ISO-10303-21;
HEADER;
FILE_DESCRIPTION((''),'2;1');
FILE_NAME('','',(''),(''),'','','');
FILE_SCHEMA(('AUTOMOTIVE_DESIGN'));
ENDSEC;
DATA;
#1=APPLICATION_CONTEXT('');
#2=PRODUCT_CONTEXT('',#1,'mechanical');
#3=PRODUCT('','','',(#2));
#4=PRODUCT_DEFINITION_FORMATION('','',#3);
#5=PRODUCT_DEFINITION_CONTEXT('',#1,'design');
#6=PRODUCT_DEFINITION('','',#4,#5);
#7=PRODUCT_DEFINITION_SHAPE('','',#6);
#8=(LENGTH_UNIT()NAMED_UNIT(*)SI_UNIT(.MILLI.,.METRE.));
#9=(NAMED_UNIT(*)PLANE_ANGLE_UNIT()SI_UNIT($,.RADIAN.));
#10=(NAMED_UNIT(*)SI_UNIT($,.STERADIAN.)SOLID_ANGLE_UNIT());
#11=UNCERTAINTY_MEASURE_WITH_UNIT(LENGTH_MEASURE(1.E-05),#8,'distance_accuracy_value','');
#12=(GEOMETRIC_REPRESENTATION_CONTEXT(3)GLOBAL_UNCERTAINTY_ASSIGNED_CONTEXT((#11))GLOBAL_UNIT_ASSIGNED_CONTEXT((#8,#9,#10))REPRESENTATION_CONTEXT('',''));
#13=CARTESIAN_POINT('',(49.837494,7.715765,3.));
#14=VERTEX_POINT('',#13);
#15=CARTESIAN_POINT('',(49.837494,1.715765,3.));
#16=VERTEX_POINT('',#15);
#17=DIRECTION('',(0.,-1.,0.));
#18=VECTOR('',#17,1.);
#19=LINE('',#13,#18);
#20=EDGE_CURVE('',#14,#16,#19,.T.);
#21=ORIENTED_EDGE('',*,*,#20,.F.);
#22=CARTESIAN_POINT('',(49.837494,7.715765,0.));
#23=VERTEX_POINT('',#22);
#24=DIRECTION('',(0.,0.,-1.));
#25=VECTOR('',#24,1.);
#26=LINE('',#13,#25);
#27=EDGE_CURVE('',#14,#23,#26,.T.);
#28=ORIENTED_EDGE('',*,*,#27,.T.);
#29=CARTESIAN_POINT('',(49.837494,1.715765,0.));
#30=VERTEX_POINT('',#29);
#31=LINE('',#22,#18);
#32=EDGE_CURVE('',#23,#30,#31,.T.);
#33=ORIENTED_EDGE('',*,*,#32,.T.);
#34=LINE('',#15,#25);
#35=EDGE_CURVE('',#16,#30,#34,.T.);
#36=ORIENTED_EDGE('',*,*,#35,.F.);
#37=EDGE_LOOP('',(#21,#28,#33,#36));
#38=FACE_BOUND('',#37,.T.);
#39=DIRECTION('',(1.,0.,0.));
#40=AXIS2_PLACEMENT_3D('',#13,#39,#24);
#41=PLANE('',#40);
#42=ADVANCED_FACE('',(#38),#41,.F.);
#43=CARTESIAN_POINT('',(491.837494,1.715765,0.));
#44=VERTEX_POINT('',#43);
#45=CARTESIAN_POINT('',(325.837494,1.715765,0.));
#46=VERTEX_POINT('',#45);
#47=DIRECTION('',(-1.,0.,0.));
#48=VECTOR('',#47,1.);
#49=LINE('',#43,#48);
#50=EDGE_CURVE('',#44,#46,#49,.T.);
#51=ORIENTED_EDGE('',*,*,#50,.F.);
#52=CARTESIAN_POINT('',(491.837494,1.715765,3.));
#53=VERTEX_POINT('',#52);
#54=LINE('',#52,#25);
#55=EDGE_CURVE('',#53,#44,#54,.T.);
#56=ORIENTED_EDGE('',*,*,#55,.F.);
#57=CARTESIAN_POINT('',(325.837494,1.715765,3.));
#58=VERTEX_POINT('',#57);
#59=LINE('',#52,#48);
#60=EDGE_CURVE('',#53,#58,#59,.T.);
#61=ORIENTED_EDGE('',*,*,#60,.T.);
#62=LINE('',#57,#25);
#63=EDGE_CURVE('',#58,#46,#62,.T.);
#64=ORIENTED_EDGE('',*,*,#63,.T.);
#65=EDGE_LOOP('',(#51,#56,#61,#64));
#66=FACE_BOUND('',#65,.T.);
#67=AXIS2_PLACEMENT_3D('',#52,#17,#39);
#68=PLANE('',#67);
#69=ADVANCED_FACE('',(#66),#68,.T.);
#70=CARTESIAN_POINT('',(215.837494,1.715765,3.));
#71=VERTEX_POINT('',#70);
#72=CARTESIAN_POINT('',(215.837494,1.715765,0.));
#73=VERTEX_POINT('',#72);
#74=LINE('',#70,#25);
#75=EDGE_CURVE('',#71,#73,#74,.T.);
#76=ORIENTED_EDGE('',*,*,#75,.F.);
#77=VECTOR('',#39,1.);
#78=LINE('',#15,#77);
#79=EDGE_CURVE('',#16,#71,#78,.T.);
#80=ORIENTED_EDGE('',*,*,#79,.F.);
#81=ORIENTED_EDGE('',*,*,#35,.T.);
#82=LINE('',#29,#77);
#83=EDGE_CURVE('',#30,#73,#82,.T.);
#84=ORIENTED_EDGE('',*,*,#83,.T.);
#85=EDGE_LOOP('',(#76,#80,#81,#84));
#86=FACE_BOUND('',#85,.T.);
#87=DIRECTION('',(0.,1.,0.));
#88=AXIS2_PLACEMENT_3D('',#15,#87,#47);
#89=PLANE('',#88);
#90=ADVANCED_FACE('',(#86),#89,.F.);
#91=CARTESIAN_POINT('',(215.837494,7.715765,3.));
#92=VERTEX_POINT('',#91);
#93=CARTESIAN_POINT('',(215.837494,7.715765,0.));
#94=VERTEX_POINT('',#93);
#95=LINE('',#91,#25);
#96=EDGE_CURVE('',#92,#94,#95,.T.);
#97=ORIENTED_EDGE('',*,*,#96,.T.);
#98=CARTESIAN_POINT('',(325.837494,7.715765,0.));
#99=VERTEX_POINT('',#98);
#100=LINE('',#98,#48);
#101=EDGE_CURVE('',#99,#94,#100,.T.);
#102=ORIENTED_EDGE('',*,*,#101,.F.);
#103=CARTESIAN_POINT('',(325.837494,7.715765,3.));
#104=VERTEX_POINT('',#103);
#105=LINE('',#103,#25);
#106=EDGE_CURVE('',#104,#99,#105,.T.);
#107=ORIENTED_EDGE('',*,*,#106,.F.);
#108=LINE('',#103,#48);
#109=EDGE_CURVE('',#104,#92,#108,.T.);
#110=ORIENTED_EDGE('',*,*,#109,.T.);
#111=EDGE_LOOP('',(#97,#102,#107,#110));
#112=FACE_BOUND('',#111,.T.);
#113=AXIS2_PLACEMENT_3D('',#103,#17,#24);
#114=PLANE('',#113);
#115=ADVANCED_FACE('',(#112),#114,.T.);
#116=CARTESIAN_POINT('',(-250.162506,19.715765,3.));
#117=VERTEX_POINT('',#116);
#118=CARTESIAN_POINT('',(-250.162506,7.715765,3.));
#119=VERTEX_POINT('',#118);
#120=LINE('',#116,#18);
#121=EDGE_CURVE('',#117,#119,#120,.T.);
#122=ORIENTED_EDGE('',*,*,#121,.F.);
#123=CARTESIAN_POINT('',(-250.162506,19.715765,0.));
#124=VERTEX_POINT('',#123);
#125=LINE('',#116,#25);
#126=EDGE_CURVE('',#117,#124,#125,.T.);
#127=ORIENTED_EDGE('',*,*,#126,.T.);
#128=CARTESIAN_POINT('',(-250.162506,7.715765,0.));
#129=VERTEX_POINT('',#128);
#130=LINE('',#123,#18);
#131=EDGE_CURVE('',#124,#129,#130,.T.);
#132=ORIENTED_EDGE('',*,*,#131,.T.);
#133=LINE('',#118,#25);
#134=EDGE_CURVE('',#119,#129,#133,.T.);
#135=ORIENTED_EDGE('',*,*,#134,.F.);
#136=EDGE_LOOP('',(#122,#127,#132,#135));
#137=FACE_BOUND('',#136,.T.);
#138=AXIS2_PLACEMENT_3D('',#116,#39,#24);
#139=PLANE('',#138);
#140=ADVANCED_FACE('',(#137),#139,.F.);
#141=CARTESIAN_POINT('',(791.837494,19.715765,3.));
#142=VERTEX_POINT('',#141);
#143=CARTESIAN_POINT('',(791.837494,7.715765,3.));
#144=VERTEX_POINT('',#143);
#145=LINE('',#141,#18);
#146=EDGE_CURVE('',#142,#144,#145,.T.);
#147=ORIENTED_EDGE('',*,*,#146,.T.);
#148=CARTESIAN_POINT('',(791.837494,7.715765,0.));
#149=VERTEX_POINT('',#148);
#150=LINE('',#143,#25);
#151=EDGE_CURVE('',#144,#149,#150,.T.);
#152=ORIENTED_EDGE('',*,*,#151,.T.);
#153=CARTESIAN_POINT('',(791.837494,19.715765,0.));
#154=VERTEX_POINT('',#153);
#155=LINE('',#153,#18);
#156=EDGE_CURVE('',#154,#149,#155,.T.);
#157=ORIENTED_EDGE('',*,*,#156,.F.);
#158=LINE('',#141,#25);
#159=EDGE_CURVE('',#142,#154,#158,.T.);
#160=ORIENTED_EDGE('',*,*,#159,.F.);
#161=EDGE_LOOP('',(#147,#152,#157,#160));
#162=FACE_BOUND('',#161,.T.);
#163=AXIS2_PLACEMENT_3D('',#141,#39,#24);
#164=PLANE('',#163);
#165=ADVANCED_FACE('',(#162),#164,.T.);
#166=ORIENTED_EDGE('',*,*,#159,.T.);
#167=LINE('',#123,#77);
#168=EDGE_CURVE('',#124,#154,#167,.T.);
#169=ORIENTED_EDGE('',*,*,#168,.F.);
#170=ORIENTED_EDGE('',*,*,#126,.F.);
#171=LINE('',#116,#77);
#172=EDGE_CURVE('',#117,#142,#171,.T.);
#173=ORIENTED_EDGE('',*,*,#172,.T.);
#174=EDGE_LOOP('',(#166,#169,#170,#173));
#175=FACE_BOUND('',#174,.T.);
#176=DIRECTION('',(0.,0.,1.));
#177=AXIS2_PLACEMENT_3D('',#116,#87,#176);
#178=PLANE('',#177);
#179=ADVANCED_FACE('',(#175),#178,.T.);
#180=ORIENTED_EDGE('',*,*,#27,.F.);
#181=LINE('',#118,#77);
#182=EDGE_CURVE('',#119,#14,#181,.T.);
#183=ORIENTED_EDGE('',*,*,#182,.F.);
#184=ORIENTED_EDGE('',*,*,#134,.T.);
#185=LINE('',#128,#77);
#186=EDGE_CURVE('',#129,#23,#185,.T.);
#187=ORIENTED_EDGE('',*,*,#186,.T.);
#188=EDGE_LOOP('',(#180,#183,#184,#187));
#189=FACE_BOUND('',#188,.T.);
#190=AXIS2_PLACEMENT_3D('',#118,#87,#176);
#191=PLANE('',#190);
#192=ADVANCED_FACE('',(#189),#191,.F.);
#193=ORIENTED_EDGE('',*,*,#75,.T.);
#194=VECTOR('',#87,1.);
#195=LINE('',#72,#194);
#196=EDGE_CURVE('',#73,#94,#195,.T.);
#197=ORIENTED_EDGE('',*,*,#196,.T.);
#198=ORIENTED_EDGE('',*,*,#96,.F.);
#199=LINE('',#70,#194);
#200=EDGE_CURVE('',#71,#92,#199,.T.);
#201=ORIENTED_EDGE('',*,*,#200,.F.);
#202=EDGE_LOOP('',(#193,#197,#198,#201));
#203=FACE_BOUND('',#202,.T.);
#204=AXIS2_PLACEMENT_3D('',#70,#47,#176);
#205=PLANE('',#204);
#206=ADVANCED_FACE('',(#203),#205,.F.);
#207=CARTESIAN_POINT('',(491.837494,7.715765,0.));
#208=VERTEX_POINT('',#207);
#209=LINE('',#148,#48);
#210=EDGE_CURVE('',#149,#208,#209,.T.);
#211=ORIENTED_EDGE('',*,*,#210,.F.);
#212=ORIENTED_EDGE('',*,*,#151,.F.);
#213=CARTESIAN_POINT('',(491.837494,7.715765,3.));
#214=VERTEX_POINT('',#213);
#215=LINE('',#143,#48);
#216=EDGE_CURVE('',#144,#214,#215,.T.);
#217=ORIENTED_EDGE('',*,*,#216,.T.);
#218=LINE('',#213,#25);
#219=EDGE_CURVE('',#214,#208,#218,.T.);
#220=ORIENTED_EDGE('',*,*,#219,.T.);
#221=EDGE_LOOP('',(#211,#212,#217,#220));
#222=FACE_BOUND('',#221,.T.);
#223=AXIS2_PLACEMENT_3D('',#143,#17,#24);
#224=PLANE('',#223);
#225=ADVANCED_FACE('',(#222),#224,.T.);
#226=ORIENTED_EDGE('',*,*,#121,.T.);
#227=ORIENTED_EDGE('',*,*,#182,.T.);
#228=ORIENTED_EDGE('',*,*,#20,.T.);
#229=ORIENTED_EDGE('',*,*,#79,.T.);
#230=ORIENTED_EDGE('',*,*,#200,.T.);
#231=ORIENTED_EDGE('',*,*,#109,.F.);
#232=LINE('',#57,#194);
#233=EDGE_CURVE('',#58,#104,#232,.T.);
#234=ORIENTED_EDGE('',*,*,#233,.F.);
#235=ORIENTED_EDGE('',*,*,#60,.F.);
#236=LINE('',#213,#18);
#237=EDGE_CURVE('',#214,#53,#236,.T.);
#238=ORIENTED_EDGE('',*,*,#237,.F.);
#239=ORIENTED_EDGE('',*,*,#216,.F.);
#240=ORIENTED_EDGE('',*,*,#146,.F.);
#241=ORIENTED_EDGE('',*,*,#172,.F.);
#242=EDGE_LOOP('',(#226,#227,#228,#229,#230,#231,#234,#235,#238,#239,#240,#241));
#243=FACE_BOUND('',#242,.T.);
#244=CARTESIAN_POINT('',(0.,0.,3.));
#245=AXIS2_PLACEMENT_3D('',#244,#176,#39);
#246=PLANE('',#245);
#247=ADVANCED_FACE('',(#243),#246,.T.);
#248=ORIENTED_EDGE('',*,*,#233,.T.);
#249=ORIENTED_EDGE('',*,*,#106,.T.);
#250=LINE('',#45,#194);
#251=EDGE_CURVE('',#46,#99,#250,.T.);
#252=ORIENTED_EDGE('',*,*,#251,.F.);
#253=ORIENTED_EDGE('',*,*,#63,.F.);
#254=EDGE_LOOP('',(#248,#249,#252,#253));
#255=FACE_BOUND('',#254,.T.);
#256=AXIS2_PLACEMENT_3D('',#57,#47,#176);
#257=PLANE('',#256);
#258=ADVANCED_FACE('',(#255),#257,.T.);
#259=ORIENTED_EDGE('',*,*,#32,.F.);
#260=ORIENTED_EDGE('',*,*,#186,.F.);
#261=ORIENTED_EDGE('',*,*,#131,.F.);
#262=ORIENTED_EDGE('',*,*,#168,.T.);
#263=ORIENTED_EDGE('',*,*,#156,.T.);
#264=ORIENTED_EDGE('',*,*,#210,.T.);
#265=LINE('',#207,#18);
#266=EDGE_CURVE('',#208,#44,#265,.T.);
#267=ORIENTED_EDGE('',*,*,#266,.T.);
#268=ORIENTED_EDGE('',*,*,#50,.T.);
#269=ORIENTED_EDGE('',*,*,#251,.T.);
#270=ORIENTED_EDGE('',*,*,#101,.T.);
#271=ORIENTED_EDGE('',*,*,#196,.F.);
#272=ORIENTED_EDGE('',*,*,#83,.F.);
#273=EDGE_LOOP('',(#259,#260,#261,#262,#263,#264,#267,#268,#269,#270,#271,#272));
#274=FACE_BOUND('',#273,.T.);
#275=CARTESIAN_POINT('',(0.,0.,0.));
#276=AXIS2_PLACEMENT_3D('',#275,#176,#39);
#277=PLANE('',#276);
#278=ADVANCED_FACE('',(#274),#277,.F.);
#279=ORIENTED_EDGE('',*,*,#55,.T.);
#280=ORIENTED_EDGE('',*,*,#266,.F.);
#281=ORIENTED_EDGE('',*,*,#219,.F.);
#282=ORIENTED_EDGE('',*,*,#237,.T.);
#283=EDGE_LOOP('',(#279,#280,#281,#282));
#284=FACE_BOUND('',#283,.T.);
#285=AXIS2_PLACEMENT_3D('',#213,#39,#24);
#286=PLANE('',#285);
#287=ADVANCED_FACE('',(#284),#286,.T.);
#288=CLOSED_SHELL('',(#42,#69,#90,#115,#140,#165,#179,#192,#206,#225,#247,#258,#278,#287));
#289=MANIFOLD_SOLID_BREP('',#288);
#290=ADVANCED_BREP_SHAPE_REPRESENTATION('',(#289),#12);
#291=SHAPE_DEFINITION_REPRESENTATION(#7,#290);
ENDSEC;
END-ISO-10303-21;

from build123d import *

# Parameters (mm, degrees)
BOSS_EXTRUDE1_DEPTH = 3


with BuildPart() as part:
    # Sketch1 → Boss-Extrude1 (new body)
    with BuildSketch(Plane.XY):
        Polygon((-250.162506049, 19.715764798), (791.837493951, 19.715764798), (791.837493951, 7.715764798), (491.837493951, 7.715764798), (491.837493951, 1.715764798), (325.837493951, 1.715764798), (325.837493951, 7.715764798), (215.837493951, 7.715764798), (215.837493951, 1.715764798), (49.837493951, 1.715764798), (49.837493951, 7.715764798), (-250.162506049, 7.715764798), align=None)
    extrude(amount=BOSS_EXTRUDE1_DEPTH)


solid = part.part
